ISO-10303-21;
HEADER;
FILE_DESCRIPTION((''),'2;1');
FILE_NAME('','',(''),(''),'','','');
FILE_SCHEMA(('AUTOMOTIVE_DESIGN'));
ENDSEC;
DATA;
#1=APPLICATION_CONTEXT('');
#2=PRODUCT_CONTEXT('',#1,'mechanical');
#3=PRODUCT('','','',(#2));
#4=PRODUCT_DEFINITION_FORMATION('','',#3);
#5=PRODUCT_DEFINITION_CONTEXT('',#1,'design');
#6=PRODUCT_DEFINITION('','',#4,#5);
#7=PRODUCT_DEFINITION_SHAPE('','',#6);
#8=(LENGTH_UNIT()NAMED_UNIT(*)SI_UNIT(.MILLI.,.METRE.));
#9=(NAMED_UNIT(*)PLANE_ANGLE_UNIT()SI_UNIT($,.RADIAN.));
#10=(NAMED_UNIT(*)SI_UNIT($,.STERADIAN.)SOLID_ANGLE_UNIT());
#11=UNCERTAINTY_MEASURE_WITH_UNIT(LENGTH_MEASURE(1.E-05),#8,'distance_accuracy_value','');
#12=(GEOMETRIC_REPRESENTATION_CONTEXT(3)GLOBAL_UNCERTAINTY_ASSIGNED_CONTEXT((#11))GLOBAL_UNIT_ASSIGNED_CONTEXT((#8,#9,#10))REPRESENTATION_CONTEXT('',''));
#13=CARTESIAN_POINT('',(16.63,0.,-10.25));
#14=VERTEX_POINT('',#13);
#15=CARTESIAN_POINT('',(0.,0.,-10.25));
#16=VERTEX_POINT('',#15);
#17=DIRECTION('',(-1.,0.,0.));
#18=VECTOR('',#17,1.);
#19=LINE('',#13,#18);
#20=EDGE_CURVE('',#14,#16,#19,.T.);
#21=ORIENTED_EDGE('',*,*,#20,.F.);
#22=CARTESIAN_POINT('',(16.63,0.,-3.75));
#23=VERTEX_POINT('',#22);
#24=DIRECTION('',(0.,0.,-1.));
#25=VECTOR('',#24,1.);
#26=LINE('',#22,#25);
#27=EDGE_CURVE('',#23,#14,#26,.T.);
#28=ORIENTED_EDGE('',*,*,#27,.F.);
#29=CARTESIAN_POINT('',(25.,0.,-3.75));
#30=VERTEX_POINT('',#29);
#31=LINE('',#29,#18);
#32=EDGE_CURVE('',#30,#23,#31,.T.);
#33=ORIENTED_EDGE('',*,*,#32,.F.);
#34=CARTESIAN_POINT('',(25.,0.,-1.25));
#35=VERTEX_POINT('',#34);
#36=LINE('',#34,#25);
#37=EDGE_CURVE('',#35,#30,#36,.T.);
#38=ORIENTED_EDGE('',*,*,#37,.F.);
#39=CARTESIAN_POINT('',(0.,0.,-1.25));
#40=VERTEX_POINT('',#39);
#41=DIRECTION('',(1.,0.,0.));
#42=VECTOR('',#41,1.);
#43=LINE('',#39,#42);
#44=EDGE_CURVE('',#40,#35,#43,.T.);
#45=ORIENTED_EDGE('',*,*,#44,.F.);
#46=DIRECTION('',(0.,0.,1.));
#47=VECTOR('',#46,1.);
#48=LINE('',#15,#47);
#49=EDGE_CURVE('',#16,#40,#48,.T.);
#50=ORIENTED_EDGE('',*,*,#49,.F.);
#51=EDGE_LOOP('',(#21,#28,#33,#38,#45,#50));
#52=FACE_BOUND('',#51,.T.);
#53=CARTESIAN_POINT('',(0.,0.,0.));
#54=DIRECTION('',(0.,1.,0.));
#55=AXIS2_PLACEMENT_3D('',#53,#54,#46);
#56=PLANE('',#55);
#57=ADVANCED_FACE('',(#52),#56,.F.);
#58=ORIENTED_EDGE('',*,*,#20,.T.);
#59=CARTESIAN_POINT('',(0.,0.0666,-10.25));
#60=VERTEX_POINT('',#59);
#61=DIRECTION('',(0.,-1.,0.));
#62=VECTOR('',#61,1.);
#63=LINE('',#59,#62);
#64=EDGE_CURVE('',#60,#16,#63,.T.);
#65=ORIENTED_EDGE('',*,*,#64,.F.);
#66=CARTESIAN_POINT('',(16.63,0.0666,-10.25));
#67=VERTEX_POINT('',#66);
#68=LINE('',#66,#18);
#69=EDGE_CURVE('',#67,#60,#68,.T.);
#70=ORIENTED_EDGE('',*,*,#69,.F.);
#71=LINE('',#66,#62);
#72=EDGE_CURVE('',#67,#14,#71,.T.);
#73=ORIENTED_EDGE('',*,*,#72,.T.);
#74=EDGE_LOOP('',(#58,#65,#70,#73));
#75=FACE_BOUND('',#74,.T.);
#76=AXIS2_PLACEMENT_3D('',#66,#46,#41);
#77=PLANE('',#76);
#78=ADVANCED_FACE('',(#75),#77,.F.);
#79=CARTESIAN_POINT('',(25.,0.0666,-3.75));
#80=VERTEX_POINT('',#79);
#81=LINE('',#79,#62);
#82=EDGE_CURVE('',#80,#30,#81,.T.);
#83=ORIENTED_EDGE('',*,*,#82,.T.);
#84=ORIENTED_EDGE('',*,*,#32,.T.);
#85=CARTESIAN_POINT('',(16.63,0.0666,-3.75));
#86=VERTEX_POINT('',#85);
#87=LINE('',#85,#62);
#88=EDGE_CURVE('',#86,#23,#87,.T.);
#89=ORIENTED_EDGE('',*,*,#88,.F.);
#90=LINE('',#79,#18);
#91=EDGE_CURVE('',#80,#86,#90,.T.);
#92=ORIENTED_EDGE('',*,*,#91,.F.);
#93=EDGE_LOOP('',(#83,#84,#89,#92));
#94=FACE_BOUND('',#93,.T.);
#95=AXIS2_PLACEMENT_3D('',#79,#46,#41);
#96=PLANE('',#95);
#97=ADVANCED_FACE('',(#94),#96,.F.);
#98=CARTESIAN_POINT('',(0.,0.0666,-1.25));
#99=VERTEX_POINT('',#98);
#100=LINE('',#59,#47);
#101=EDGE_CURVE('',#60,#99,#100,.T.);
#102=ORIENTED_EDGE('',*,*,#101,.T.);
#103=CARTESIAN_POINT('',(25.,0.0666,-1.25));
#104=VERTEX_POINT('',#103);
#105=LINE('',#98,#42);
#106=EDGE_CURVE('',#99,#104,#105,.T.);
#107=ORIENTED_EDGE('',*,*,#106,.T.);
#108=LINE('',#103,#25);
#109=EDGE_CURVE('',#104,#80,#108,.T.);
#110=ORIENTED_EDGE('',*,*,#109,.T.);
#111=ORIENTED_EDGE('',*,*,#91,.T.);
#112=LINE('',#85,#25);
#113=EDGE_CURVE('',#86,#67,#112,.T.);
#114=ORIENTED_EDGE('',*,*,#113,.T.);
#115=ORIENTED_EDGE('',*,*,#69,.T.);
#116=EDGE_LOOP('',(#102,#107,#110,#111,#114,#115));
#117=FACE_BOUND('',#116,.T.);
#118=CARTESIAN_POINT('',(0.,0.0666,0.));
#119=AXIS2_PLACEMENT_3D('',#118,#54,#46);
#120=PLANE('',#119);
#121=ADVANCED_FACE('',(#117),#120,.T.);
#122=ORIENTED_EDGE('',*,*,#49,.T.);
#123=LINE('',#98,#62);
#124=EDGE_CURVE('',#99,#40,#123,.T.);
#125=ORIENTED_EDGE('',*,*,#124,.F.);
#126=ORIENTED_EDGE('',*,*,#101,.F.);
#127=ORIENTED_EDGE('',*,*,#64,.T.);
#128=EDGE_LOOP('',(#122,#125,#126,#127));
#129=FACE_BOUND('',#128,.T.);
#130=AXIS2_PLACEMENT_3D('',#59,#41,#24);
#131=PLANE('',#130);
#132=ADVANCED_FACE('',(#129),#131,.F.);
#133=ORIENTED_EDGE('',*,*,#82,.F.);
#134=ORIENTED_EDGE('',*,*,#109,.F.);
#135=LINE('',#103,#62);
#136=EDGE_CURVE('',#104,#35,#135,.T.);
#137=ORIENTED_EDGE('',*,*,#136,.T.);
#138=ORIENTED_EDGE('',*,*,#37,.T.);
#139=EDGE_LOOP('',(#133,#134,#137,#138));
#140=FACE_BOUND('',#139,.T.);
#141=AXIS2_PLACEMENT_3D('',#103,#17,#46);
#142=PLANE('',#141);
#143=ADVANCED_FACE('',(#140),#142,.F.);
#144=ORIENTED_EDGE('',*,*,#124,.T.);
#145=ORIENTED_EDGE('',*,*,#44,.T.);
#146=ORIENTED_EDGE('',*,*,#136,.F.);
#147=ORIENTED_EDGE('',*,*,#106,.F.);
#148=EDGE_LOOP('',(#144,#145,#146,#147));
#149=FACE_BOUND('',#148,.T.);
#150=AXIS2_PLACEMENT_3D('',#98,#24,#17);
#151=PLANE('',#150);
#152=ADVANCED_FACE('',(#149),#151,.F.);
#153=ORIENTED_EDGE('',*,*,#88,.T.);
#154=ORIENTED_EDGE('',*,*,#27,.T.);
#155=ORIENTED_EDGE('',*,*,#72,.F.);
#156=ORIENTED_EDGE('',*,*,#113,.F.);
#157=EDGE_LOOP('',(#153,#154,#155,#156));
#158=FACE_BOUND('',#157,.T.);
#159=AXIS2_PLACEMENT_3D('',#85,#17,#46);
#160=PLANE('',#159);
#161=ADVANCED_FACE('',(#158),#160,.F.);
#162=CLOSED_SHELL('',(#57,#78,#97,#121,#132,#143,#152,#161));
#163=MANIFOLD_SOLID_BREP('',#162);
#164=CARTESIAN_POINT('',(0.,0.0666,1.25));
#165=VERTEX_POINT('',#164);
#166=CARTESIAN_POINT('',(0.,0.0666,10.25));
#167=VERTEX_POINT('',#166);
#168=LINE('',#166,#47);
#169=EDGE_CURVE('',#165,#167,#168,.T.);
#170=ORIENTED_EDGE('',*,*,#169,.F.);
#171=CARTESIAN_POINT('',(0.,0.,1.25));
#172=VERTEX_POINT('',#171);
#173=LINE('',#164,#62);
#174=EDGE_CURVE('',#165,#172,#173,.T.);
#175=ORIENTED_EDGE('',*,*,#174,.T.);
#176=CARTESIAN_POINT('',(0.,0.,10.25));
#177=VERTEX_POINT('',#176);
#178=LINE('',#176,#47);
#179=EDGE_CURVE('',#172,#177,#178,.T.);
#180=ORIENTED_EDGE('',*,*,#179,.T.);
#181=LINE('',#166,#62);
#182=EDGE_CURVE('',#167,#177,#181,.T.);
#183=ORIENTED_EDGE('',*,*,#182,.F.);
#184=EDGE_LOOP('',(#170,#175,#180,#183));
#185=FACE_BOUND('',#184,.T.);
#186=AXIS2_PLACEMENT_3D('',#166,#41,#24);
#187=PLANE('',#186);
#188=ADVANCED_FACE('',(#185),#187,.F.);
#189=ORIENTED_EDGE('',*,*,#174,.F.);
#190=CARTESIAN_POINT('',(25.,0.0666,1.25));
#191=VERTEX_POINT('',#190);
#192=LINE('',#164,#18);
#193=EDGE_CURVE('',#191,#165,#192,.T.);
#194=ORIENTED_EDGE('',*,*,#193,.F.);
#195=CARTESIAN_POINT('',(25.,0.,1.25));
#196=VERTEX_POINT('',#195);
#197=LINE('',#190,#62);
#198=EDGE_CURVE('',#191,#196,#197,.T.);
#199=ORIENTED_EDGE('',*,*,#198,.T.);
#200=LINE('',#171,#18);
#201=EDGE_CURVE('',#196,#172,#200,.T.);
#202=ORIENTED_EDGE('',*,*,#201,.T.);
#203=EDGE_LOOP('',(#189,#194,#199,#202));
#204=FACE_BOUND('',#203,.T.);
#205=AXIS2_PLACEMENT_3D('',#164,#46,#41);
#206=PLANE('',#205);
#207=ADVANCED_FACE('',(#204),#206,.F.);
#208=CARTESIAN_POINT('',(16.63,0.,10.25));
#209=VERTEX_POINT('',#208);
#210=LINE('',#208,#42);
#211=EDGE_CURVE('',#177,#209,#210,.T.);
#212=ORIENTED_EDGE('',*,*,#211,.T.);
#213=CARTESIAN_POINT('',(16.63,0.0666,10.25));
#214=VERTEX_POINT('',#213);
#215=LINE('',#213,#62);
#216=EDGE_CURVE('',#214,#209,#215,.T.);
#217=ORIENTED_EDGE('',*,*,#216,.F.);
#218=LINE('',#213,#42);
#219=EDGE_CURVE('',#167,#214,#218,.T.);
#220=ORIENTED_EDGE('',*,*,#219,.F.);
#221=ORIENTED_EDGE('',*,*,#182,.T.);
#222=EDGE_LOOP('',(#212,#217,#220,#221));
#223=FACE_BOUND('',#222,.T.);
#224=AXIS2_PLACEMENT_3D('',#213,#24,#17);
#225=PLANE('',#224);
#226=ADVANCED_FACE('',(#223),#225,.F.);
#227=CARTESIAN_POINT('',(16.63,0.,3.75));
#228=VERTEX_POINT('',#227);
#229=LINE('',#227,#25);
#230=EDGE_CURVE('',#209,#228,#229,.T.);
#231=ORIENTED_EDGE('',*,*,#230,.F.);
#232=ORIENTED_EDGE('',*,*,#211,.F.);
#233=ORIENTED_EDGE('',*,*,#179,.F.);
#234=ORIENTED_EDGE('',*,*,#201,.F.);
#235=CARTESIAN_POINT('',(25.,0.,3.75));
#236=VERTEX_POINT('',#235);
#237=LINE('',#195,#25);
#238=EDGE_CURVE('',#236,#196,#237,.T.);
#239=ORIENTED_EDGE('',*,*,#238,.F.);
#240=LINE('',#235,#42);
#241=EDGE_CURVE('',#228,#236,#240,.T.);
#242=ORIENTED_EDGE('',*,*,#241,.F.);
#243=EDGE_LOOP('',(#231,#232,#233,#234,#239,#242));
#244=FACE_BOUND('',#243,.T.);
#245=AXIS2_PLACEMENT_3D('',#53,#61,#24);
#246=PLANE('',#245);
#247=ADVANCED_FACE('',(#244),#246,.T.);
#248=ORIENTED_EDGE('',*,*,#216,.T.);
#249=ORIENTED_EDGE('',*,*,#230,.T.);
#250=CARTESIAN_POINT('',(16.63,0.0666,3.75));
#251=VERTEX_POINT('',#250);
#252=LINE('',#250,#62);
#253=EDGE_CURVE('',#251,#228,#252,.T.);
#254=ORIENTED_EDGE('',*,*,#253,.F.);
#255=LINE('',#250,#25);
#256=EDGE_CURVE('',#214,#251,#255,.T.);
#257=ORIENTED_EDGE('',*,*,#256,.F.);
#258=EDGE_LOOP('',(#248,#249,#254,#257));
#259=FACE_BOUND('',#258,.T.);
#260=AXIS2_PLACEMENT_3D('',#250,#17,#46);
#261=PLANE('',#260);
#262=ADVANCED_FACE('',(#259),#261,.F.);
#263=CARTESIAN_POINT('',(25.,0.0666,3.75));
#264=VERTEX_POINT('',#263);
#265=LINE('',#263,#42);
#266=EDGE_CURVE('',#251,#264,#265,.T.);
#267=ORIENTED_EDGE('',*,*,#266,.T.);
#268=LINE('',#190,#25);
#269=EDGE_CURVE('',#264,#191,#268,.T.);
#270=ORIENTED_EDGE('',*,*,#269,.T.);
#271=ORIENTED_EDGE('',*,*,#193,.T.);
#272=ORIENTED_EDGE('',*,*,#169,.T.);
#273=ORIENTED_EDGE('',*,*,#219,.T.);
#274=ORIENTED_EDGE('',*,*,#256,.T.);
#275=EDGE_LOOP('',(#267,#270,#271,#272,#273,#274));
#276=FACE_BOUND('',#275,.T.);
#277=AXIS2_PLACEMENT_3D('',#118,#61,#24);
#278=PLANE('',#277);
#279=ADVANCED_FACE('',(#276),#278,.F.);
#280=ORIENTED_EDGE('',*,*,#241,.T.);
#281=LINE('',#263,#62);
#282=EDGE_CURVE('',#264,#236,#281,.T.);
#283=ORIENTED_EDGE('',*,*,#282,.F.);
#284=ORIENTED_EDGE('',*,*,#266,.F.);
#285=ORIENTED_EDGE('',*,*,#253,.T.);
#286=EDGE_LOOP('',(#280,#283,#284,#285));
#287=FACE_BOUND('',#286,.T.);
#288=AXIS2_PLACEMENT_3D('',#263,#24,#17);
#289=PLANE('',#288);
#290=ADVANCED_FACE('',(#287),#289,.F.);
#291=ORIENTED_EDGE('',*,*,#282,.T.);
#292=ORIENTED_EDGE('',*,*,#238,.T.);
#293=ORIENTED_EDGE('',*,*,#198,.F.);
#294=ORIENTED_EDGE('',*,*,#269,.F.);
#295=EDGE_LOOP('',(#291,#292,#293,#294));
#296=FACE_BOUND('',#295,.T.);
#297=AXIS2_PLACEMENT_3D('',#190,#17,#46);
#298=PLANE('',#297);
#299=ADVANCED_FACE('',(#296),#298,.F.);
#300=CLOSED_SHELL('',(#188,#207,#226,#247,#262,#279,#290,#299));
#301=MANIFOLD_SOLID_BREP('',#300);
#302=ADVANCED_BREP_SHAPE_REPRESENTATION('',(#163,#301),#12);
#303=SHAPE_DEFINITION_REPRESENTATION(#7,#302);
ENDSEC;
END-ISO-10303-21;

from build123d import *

# Parameters (mm, degrees)
BOSS_EXTRUDE1_DEPTH   = 0.0666
BOSS_EXTRUDE1_2_DEPTH = 0.0666


with BuildPart() as part:
    # Sketch1 → Boss-Extrude1 (new body)
    with BuildSketch(Plane(origin=(0, 0, 0), x_dir=(1, 0, 0), z_dir=(0, 1, 0))):
        Polygon((0, 1.25), (25, 1.25), (25, 3.75), (16.63, 3.75), (16.63, 10.25), (0, 10.25), align=None)
    extrude(amount=BOSS_EXTRUDE1_DEPTH)


with BuildPart() as body_2:
    # Sketch1 → Boss-Extrude1 2 (new body)
    with BuildSketch(Plane(origin=(0, 0, 0), x_dir=(1, 0, 0), z_dir=(0, 1, 0))):
        Polygon((0, -1.25), (25, -1.25), (25, -3.75), (16.63, -3.75), (16.63, -10.25), (0, -10.25), align=None)
    extrude(amount=BOSS_EXTRUDE1_2_DEPTH)


solid = Compound([part.part, body_2.part])
